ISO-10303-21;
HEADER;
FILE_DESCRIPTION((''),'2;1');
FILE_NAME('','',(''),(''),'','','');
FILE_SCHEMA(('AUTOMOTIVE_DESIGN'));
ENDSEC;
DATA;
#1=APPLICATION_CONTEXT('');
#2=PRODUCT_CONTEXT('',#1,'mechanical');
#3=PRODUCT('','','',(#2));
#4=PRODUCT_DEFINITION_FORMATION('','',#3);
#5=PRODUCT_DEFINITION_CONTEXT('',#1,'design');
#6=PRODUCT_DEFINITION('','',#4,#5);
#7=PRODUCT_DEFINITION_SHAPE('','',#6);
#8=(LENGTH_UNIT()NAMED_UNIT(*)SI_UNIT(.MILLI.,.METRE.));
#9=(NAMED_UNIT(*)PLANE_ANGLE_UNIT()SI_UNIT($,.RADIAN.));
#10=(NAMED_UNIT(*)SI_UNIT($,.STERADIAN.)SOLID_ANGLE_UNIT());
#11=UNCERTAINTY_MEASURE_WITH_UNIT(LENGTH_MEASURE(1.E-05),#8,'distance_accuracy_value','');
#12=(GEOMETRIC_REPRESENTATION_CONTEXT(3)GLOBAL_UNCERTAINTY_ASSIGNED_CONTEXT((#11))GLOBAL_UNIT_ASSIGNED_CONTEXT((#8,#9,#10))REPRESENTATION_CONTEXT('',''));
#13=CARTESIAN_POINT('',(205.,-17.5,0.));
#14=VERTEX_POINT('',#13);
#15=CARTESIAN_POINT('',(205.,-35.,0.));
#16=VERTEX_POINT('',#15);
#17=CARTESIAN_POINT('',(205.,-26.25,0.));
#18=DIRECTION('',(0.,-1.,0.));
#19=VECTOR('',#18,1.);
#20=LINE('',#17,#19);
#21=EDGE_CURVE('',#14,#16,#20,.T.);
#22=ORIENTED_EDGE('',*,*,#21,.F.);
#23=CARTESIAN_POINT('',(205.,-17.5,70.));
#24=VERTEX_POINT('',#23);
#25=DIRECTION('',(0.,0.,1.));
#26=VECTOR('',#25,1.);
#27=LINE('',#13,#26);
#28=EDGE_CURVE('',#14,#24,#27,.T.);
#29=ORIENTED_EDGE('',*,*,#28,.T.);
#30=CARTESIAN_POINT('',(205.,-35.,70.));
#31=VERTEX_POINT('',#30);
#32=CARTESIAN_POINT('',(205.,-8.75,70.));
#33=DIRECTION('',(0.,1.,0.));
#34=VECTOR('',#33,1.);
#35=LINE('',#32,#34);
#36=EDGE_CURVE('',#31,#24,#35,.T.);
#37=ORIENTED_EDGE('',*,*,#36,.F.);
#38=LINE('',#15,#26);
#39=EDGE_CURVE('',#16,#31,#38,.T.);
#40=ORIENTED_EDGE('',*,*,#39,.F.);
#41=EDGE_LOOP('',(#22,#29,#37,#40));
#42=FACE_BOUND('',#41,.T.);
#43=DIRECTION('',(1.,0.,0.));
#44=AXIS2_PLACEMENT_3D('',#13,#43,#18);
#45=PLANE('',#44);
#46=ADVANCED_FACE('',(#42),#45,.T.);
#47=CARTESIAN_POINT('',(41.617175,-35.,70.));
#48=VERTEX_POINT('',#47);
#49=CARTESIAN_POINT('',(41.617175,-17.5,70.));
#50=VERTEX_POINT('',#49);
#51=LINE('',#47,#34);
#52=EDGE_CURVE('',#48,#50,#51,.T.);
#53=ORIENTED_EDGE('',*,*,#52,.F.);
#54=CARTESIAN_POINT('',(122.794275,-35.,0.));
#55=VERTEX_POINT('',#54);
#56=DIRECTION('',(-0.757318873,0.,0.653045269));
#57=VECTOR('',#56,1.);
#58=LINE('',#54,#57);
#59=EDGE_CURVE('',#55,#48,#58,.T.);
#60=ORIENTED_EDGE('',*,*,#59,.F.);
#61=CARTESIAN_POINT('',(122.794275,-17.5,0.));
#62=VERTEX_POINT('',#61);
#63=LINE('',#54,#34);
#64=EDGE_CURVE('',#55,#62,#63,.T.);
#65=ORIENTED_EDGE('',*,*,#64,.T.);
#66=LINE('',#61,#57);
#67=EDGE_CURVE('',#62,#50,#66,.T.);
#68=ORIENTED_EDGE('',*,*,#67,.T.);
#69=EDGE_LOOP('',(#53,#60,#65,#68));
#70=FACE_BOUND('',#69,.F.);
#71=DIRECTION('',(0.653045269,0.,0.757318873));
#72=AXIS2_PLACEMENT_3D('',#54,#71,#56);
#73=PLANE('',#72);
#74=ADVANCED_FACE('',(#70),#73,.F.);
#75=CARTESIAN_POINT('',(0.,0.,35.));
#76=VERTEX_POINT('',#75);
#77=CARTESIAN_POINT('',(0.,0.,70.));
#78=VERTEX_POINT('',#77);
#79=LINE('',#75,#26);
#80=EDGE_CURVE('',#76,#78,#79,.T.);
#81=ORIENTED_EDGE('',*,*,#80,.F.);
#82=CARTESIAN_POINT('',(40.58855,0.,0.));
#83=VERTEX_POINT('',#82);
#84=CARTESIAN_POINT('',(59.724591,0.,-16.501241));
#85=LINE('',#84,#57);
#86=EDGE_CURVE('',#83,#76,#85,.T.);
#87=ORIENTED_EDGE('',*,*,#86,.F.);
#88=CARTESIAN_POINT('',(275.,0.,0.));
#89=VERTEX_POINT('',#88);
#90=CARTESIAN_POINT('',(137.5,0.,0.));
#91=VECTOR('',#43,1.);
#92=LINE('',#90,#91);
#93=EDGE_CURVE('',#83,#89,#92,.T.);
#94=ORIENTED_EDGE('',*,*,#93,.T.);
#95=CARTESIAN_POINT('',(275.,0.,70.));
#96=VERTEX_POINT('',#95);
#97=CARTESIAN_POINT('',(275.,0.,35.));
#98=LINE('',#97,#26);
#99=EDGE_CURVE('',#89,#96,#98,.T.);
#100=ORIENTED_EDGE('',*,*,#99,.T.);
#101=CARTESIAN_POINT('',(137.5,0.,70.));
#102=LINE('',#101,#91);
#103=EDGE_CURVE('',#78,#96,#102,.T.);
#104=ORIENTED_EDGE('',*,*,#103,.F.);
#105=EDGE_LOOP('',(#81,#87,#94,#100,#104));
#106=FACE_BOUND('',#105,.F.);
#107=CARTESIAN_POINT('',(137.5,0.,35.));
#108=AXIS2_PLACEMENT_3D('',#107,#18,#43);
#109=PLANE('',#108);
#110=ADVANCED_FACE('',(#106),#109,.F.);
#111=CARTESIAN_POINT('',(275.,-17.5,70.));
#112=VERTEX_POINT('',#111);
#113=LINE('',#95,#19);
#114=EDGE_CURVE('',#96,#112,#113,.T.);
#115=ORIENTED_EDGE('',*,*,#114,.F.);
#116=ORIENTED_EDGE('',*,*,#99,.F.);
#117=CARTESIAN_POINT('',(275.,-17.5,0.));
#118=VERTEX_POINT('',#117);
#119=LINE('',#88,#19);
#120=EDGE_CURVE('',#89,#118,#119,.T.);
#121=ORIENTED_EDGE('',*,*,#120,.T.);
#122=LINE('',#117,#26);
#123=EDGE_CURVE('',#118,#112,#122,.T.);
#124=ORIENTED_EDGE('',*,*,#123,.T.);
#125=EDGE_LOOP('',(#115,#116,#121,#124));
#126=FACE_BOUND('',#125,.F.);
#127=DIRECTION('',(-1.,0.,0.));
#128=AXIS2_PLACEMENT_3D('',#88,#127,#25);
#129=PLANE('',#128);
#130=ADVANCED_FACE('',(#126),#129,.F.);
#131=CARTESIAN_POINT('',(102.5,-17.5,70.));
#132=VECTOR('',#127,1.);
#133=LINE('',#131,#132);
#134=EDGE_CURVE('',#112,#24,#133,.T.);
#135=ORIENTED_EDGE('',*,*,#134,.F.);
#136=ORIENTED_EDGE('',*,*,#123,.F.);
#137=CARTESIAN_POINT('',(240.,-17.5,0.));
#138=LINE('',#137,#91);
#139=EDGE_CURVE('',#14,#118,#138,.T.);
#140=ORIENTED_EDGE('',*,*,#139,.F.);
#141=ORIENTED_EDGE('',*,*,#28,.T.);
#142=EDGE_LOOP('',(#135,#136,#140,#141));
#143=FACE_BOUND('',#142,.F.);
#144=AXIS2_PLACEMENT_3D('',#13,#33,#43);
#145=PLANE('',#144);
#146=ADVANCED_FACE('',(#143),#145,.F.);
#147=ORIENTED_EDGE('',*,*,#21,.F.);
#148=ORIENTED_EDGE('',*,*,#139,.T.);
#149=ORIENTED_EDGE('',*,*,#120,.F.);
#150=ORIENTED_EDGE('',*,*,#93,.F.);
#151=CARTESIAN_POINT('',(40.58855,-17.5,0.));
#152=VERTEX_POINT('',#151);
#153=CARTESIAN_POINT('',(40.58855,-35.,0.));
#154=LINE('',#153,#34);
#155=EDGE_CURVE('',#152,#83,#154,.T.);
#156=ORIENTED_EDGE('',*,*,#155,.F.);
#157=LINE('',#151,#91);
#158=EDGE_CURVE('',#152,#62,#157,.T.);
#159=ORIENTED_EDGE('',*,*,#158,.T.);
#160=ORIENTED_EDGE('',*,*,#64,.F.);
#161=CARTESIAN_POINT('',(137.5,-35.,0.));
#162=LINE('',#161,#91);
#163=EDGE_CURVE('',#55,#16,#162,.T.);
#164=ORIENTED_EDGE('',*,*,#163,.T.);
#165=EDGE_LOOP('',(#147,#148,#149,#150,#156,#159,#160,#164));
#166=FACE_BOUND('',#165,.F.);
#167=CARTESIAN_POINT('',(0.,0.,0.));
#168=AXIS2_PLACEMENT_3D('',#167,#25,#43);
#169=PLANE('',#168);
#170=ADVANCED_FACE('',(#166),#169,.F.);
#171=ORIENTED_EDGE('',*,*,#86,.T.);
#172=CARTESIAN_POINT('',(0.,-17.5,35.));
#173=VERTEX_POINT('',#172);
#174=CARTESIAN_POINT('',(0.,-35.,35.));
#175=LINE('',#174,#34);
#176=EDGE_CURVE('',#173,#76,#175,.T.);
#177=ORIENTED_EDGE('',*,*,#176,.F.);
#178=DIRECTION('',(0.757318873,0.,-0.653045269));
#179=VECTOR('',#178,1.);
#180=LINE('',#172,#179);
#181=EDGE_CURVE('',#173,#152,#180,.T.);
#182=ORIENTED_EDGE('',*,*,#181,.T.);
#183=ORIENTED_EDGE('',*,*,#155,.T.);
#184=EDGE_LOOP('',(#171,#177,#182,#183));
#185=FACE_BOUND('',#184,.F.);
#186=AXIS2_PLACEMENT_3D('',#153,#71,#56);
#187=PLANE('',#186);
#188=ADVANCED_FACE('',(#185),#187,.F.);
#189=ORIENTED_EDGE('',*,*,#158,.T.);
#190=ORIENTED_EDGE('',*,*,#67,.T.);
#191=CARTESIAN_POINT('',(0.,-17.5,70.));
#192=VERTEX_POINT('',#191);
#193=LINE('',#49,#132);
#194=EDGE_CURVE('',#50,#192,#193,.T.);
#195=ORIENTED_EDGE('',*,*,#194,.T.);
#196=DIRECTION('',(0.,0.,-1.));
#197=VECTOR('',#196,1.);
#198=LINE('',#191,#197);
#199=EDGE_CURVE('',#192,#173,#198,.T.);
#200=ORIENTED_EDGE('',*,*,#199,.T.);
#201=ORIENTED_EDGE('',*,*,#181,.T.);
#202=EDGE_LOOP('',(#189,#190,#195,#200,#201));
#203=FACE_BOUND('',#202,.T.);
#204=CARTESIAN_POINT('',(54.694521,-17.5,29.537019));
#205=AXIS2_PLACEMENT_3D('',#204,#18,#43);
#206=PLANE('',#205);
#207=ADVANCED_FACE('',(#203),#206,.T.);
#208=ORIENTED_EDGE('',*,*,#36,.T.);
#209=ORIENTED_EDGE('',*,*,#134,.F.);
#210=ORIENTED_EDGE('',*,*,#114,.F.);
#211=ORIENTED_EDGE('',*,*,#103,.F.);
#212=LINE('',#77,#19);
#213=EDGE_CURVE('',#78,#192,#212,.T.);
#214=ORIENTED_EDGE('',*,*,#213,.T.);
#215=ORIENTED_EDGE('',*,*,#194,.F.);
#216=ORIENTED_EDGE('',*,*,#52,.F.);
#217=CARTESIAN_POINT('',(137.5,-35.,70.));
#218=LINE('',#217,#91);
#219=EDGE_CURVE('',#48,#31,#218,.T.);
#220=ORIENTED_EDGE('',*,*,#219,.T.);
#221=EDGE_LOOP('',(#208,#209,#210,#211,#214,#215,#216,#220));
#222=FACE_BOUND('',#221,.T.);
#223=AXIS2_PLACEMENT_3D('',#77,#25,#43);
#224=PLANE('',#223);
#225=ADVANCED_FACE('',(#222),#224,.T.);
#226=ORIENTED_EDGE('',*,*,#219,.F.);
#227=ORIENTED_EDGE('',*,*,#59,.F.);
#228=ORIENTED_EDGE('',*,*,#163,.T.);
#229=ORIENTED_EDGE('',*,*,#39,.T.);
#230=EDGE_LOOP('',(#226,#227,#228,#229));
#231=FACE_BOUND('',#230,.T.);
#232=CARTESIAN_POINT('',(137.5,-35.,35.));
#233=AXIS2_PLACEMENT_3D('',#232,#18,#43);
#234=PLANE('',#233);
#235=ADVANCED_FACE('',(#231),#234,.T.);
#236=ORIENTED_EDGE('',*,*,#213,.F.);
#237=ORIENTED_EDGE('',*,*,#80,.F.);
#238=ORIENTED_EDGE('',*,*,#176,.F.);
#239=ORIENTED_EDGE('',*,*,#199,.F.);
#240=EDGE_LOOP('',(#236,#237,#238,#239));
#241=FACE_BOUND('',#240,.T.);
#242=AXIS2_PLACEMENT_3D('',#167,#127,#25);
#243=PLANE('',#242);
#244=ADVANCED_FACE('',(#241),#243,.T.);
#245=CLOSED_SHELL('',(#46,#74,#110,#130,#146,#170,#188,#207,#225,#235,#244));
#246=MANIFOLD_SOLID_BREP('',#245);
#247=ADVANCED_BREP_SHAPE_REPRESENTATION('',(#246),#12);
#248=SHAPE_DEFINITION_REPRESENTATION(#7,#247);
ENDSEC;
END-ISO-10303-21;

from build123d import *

# Parameters (mm, degrees)
F0_W     = 275
F0_H     = 70
F1_DEPTH = 35
F2_W     = 70
F2_H     = 17.5
F3_DEPTH = 70.001
F5_DEPTH = 35.001
F7_DEPTH = 17.5


with BuildPart() as f1:
    # F0 (on Front) → F1 (new body)
    with BuildSketch(Plane.XZ):
        with Locations((137.5, 35)):
            Rectangle(F0_W, F0_H)
    extrude(amount=F1_DEPTH)

    # F2 (on face) → F3 (cut, through all)
    with BuildSketch(Plane(origin=(0, 0, 0), x_dir=(1, 0, 0), z_dir=(0, 0, -1))):
        with Locations((240, 26.25)):
            Rectangle(F2_W, F2_H)
    extrude(amount=-F3_DEPTH, mode=Mode.SUBTRACT)

    # F4 (on face) → F5 (cut, through all)
    with BuildSketch(Plane.XZ.offset(35)):
        Polygon((40.58855, 0), (0, 35), (0, 0), align=None)
    extrude(amount=-F5_DEPTH, mode=Mode.SUBTRACT)

    # F6 (on face) → F7 (cut)
    with BuildSketch(Plane.XZ.offset(35)):
        Polygon((40.58855, 0), (122.794275, 0), (41.617175, 70), (0, 70), (0, 35), align=None)
    extrude(amount=-F7_DEPTH, mode=Mode.SUBTRACT)


solid = f1.part
